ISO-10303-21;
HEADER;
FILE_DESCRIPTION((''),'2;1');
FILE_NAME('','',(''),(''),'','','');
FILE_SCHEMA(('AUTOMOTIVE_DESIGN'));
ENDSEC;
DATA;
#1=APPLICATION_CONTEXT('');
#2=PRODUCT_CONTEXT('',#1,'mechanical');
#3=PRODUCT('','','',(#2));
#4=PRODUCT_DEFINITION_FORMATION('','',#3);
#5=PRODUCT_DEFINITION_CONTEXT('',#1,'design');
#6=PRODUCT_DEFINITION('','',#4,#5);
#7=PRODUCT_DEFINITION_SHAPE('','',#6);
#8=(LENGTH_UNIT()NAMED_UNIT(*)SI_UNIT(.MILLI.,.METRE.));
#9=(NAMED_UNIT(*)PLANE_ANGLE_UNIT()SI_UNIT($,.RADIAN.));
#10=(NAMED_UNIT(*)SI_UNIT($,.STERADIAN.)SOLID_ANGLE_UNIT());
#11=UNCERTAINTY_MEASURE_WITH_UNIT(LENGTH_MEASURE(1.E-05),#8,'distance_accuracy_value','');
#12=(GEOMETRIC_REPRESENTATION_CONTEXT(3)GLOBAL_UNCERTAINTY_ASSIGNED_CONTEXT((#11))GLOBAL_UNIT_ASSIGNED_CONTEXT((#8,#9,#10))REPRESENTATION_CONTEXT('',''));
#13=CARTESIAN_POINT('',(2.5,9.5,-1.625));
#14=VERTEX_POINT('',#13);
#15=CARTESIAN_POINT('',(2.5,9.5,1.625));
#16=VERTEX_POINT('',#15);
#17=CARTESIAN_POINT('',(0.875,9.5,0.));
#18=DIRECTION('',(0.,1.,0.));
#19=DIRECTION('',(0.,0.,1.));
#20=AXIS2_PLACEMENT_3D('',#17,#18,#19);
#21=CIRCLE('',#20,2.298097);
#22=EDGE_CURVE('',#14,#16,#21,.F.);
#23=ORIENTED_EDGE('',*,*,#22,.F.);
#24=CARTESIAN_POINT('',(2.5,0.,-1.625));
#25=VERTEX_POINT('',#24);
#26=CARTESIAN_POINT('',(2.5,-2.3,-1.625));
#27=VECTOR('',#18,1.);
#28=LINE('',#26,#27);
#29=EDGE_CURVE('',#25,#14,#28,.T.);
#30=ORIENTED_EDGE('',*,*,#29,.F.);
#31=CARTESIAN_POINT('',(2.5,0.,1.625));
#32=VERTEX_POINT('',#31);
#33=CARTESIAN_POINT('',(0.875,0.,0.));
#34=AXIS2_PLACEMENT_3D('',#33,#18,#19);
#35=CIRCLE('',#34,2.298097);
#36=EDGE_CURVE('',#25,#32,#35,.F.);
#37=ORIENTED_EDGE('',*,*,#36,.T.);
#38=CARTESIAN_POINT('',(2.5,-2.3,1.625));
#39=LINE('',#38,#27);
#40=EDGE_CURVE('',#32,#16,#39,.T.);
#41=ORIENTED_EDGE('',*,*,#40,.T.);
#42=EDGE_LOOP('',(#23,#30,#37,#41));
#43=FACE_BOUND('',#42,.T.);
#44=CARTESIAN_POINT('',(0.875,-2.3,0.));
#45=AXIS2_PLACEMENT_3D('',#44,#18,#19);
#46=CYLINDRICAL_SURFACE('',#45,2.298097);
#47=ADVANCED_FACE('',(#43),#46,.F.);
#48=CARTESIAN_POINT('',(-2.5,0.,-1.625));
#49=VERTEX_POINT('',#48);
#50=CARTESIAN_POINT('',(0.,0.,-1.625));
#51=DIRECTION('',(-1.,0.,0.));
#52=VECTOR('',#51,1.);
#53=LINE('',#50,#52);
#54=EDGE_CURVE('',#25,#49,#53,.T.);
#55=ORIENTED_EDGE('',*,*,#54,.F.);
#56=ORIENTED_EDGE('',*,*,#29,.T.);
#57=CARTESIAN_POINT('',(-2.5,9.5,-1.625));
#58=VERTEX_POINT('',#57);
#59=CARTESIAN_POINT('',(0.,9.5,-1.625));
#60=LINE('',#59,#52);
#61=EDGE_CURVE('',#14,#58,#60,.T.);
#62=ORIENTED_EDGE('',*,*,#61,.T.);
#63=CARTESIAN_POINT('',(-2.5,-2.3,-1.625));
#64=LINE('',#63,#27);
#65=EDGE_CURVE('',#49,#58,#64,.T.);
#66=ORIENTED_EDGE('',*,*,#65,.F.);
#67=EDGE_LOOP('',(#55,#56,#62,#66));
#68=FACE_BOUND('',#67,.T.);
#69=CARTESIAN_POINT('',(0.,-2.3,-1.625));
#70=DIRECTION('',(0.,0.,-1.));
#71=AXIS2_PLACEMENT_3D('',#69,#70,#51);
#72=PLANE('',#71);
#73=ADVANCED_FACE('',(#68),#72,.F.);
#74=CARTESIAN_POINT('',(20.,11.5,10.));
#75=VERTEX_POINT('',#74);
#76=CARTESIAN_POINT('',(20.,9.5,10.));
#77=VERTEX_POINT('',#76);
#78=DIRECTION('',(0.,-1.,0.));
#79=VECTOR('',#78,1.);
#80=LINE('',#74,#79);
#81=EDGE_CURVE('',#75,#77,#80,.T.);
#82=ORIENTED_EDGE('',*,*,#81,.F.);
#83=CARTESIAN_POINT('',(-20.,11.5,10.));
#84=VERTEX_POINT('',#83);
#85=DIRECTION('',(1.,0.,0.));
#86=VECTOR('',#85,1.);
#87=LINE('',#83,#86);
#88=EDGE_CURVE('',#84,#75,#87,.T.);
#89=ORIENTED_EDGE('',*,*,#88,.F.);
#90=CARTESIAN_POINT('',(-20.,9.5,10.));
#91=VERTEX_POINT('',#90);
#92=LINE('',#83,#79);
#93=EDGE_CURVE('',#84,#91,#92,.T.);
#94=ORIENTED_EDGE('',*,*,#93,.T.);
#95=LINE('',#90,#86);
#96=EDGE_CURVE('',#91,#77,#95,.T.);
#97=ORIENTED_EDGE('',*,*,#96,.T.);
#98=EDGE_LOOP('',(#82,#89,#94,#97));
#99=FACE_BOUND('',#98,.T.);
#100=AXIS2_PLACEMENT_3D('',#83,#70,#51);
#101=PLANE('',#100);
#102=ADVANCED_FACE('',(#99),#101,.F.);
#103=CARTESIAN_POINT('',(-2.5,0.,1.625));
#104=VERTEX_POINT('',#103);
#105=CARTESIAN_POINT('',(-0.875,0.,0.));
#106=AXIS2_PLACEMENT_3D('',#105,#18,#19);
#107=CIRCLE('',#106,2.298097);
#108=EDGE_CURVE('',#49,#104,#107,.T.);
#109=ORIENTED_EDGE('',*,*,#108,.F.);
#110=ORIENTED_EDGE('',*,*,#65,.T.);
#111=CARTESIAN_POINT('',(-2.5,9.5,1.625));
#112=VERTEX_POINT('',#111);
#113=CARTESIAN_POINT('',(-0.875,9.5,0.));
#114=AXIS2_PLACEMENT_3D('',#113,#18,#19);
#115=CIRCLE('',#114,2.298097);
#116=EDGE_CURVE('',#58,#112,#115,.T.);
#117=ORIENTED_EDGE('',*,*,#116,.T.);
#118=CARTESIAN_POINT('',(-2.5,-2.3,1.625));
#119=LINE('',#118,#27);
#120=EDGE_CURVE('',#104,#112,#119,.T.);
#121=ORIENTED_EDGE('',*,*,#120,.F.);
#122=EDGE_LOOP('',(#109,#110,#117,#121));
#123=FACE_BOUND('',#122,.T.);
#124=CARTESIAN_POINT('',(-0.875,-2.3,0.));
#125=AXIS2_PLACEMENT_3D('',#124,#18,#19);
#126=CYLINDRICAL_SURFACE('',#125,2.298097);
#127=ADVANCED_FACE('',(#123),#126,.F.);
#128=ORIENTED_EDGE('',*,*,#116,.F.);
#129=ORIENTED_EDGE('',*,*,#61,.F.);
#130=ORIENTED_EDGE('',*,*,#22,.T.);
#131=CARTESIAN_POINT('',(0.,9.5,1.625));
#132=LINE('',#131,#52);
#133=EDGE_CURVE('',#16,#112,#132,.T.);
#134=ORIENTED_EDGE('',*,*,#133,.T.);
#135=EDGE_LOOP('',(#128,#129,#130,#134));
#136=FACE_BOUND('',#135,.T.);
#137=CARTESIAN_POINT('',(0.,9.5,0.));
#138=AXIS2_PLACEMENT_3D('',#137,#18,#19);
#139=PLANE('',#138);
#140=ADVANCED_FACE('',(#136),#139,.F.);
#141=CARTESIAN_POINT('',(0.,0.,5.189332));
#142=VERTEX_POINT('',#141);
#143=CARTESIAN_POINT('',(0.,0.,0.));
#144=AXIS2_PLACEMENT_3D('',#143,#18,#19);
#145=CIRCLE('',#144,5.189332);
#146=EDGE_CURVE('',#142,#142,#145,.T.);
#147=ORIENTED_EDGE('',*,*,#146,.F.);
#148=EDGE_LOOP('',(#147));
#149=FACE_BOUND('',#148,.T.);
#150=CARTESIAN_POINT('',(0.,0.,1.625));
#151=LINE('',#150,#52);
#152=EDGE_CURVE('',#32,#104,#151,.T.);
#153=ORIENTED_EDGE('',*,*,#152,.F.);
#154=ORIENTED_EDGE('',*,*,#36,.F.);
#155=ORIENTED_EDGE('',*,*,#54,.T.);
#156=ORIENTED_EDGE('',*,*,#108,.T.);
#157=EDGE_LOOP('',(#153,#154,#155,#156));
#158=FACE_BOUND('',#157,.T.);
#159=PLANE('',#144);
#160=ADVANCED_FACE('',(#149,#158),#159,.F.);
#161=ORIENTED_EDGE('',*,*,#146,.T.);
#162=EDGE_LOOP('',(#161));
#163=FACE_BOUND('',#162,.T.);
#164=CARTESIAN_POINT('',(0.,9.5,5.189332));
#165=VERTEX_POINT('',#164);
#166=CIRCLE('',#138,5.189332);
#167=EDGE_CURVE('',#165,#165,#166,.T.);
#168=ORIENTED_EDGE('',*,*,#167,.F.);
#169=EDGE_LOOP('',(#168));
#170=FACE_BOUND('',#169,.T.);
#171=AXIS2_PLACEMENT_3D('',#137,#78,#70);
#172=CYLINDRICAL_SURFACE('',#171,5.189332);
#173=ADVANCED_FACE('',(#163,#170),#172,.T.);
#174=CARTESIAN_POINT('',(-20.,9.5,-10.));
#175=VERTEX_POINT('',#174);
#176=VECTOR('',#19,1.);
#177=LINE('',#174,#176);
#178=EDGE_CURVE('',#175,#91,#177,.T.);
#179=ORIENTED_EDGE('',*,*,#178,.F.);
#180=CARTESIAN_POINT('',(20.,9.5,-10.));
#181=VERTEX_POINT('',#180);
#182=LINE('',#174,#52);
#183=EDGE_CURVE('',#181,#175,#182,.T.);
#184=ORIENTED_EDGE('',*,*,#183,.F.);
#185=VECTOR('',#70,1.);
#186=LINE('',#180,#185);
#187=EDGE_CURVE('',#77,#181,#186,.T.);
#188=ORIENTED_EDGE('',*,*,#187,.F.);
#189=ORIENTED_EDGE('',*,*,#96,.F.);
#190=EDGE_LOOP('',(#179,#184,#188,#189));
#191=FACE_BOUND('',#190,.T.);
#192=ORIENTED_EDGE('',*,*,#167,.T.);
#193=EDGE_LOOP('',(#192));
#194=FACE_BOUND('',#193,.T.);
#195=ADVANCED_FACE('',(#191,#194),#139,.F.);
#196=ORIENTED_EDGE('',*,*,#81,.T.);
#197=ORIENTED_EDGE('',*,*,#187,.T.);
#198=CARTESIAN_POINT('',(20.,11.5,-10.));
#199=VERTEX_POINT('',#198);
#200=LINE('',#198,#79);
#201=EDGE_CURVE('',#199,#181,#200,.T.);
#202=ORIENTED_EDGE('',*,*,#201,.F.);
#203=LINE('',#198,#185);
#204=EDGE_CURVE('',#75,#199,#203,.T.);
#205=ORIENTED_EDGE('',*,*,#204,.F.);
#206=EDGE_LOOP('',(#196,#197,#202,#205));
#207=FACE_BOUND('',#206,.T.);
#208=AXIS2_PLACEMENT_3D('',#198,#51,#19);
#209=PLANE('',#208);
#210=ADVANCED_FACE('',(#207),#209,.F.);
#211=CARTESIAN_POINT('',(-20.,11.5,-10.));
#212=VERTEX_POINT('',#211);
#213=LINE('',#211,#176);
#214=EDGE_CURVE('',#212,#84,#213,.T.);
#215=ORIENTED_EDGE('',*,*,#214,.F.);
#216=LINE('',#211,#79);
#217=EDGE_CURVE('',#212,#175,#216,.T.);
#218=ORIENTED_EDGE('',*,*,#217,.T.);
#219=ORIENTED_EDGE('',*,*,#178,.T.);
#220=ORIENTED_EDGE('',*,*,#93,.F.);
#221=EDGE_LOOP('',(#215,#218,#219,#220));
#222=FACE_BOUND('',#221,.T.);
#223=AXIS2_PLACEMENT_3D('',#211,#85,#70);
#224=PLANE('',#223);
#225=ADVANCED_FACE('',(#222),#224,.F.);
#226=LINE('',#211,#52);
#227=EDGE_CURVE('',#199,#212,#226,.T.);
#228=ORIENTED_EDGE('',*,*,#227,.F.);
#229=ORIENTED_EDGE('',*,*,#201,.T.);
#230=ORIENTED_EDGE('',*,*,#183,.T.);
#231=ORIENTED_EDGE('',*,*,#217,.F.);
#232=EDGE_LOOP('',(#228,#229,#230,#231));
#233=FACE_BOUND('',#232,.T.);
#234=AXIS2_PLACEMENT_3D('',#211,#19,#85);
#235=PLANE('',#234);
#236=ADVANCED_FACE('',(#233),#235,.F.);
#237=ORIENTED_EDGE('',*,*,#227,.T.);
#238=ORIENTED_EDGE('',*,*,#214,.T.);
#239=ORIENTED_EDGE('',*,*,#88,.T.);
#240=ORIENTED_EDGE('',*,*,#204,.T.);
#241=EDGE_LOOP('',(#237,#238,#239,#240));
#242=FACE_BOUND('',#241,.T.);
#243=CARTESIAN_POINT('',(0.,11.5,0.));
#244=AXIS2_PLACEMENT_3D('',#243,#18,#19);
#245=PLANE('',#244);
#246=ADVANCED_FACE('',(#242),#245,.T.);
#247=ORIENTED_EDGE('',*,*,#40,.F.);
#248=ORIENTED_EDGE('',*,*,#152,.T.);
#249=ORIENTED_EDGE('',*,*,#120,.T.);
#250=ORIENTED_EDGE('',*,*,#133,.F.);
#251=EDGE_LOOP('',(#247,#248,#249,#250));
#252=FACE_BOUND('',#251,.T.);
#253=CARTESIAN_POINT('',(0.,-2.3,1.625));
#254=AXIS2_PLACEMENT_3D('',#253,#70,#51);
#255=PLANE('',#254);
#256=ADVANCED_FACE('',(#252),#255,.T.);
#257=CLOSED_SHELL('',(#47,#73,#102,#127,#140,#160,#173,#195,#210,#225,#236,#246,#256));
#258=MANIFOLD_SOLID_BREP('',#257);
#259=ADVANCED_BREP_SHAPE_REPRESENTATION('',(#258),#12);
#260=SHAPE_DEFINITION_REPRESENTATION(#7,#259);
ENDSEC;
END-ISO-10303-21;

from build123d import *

# Parameters (mm, degrees)
SKETCH2_R           = 5.189332
BOSS_EXTRUDE1_DEPTH = 9.5
CUT_EXTRUDE1_DEPTH  = 11.8
SKETCH5_W           = 40
SKETCH5_H           = 20
BOSS_EXTRUDE2_DEPTH = 2


with BuildPart() as part:
    # Sketch2 → Boss-Extrude1 (new body)
    with BuildSketch(Plane(origin=(0, 0, 0), x_dir=(1, 0, 0), z_dir=(0, 1, 0))):
        with Locations(Location((0, 0, 0), (0, 0, 270))):
            Circle(SKETCH2_R)
    extrude(amount=BOSS_EXTRUDE1_DEPTH)

    # Sketch4 → Cut-Extrude1 (cut)
    with BuildSketch(Plane(origin=(0, 9.5, 0), x_dir=(1, 0, 0), z_dir=(0, 1, 0))):
        with BuildLine():
            Line((0, 1.625), (-2.5, 1.625))
            ThreePointArc((-2.5, 1.625), (-3.173097039, 0), (-2.5, -1.625))
            Line((-2.5, -1.625), (0, -1.625))
            Line((0, -1.625), (0, 0))
            Line((0, 0), (0, 1.625))
        make_face()
        with BuildLine():
            ThreePointArc((2.5, 1.625), (3.173097039, 0), (2.5, -1.625))
            Line((2.5, -1.625), (0, -1.625))
            Line((0, -1.625), (0, 0))
            Line((0, 0), (0, 1.625))
            Line((0, 1.625), (2.5, 1.625))
        make_face()
    extrude(amount=-CUT_EXTRUDE1_DEPTH, mode=Mode.SUBTRACT)

    # Sketch5 → Boss-Extrude2 (add)
    with BuildSketch(Plane(origin=(0, 9.5, 0), x_dir=(1, 0, 0), z_dir=(0, 1, 0))):
        Rectangle(SKETCH5_W, SKETCH5_H)
    extrude(amount=BOSS_EXTRUDE2_DEPTH)


solid = part.part
